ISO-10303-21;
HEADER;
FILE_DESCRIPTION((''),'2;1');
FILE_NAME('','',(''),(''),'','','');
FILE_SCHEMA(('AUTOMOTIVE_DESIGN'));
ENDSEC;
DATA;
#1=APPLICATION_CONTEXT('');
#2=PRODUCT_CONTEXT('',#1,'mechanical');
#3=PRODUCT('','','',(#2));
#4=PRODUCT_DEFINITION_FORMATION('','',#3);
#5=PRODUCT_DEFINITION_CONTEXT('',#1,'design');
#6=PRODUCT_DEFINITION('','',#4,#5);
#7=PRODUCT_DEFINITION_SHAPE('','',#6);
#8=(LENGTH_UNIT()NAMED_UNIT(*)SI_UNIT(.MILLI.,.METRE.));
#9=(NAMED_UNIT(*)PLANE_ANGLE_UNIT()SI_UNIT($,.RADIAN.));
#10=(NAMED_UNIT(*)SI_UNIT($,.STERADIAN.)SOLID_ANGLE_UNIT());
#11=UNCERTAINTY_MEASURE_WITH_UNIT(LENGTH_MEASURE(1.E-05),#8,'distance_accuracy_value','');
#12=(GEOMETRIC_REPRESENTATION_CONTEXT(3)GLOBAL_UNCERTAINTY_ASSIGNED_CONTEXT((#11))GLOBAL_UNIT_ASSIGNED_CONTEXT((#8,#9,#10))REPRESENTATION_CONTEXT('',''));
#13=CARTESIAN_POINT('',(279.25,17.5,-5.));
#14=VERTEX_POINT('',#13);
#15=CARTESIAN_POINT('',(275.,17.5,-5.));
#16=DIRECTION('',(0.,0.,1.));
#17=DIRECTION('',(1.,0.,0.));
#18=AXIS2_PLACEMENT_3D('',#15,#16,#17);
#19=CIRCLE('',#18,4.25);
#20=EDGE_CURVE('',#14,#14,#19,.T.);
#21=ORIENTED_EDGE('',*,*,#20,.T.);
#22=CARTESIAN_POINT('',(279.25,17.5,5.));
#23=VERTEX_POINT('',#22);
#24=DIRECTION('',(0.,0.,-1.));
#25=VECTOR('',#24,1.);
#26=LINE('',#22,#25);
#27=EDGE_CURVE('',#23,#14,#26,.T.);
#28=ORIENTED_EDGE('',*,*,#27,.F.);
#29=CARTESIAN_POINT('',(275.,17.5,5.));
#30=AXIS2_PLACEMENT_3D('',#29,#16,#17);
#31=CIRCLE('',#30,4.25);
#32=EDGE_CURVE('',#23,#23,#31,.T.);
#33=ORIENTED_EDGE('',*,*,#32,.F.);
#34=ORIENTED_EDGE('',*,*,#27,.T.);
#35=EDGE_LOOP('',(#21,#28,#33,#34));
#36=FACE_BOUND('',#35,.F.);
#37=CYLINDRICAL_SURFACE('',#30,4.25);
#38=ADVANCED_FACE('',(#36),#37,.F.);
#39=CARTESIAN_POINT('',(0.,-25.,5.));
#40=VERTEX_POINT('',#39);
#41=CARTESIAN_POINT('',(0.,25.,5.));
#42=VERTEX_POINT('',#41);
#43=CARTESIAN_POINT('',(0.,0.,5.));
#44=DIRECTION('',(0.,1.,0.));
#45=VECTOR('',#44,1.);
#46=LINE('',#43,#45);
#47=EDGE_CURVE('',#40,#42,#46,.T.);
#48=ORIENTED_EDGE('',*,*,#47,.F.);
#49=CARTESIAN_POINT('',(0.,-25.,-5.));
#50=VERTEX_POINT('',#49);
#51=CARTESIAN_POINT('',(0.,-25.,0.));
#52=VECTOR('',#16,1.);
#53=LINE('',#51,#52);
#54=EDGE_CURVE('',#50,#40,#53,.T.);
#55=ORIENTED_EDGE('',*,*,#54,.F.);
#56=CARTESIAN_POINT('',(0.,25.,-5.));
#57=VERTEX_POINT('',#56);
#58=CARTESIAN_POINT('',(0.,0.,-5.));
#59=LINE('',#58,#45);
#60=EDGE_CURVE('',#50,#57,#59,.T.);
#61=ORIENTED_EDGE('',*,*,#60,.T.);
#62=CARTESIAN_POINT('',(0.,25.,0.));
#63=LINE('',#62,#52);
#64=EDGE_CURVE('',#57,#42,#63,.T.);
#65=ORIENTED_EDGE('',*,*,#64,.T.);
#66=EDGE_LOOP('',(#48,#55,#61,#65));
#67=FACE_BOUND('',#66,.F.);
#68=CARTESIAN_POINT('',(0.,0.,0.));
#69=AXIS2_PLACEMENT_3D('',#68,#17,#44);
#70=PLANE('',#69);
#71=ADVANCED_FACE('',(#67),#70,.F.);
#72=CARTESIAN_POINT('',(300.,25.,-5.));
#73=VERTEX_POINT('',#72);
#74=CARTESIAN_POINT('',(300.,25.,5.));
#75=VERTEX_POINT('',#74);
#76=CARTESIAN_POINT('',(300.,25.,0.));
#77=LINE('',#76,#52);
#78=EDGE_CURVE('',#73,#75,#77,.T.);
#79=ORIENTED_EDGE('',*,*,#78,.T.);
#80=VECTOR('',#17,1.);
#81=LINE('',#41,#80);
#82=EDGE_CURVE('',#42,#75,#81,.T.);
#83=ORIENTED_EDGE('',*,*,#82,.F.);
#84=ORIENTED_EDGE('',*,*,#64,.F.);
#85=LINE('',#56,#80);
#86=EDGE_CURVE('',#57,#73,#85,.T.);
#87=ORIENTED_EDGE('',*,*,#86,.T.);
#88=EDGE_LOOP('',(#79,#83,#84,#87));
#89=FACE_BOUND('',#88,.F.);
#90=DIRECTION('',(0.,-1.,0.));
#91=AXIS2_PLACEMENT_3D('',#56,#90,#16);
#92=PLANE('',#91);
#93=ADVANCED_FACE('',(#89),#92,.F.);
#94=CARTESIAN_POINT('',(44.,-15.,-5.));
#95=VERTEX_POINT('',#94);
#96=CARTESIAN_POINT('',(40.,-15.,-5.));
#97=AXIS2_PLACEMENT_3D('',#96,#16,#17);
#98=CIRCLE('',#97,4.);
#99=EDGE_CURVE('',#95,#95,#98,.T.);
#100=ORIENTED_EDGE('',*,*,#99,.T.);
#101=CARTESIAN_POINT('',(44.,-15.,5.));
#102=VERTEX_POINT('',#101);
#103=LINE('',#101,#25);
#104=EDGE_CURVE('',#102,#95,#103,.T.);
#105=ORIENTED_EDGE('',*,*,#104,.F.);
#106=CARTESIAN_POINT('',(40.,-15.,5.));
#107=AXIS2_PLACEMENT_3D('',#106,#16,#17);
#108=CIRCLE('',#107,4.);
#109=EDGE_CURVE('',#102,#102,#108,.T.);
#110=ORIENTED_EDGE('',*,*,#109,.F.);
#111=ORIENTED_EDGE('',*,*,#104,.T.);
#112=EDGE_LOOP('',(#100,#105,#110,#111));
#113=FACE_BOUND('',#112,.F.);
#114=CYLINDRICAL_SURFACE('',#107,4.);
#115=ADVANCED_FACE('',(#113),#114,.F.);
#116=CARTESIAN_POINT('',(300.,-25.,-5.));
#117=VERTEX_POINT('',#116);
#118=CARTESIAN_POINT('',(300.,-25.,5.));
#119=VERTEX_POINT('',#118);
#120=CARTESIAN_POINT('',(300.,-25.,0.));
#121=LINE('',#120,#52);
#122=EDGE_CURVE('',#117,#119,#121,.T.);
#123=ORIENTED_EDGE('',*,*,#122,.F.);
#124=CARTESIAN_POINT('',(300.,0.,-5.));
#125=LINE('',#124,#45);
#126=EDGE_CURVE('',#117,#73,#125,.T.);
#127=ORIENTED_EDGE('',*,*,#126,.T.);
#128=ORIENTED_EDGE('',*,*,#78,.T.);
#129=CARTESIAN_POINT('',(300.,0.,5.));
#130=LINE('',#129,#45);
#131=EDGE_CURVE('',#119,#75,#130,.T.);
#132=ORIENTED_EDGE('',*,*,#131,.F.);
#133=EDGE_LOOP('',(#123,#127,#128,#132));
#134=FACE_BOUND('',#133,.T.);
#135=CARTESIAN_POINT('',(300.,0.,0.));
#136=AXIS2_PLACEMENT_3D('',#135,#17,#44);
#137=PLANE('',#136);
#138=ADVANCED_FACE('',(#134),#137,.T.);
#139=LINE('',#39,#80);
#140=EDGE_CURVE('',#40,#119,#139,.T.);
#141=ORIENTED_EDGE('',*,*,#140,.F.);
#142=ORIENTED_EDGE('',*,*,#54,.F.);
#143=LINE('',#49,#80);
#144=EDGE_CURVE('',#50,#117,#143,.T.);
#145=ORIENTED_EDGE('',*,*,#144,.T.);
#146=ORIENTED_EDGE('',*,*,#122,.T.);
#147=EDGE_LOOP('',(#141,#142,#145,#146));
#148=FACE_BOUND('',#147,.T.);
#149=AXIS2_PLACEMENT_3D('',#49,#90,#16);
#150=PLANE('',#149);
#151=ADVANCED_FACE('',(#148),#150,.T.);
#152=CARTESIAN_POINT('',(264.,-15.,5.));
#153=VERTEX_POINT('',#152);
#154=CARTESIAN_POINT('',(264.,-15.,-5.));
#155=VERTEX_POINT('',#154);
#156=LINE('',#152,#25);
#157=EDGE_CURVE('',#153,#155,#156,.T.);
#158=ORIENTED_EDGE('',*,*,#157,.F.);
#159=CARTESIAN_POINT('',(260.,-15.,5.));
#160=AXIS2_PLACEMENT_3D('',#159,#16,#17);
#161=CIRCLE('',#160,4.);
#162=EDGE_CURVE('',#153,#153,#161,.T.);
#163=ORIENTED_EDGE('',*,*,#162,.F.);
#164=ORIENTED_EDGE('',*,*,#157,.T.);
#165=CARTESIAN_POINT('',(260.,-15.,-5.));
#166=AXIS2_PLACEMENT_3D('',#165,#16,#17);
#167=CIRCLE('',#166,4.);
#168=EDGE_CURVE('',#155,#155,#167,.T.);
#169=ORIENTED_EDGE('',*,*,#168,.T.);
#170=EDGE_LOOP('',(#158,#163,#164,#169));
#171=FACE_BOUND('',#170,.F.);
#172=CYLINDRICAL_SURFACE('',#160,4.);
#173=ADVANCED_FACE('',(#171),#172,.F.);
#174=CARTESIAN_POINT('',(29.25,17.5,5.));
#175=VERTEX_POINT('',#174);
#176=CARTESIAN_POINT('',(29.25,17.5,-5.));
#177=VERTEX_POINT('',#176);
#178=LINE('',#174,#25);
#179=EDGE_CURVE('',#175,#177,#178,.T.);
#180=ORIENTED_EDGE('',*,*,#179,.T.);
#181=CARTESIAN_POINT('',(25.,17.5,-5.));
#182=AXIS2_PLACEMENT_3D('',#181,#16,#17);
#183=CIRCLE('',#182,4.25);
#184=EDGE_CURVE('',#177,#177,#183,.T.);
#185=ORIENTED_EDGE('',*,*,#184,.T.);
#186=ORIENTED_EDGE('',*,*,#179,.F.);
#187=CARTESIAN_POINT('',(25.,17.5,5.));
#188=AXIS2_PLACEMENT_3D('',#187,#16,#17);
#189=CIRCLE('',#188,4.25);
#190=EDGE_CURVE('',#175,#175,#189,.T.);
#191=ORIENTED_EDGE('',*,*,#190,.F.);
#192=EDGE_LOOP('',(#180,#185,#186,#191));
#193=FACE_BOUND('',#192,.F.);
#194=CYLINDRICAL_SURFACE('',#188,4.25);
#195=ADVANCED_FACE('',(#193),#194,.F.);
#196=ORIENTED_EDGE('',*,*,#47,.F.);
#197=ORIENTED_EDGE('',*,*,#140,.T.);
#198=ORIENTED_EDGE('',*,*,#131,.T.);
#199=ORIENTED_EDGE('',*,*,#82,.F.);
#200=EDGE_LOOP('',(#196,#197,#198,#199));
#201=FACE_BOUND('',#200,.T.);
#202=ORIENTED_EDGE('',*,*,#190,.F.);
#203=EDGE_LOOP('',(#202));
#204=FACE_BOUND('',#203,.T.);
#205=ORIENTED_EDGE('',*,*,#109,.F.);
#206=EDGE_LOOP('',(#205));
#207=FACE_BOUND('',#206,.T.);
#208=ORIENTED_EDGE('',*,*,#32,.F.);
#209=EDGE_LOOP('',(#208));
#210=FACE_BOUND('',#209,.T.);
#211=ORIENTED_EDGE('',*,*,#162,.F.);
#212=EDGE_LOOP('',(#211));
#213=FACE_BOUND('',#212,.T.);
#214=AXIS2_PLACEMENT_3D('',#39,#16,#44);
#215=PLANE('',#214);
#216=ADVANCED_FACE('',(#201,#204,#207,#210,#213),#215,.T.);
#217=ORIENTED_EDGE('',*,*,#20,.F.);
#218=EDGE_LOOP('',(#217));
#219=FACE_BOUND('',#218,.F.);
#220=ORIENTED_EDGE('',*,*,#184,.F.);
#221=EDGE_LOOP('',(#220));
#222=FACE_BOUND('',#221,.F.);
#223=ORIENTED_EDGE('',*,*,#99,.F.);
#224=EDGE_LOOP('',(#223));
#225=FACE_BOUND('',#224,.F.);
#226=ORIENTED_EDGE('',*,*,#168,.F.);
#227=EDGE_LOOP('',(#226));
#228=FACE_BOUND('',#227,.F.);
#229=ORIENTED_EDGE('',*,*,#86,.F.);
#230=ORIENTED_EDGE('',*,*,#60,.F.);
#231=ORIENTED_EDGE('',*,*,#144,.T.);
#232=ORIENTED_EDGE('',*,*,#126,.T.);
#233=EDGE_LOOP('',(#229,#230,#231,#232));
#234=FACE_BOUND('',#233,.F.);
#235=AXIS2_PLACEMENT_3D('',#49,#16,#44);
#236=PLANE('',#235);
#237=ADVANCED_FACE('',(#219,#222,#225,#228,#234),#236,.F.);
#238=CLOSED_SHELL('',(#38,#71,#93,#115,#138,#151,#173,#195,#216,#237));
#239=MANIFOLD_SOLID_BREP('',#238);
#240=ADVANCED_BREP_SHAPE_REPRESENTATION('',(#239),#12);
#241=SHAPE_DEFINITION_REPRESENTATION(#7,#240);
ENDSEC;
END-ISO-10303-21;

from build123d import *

# Parameters (mm, degrees)
F0_W     = 50
F0_H     = 10
F1_DEPTH = 300
F2_R     = 4.25
F3_DEPTH = 25
F4_R     = 4
F5_DEPTH = 329


with BuildPart() as f1:
    # F0 (on Right) → F1 (new body)
    with BuildSketch(Plane.YZ):
        Rectangle(F0_W, F0_H)
    extrude(amount=F1_DEPTH)

    # F2 (on face) → F3 (cut)
    with BuildSketch(Plane.XY.offset(5)):
        with Locations((25, 17.5)):
            Circle(F2_R)
        with Locations((275, 17.5)):
            Circle(F2_R)
    extrude(amount=-F3_DEPTH, mode=Mode.SUBTRACT)

    # F4 (on face) → F5 (cut)
    with BuildSketch(Plane.XY.offset(5)):
        with Locations((40, -15)):
            Circle(F4_R)
        with Locations((260, -15)):
            Circle(F4_R)
    extrude(amount=-F5_DEPTH, mode=Mode.SUBTRACT)


solid = f1.part
